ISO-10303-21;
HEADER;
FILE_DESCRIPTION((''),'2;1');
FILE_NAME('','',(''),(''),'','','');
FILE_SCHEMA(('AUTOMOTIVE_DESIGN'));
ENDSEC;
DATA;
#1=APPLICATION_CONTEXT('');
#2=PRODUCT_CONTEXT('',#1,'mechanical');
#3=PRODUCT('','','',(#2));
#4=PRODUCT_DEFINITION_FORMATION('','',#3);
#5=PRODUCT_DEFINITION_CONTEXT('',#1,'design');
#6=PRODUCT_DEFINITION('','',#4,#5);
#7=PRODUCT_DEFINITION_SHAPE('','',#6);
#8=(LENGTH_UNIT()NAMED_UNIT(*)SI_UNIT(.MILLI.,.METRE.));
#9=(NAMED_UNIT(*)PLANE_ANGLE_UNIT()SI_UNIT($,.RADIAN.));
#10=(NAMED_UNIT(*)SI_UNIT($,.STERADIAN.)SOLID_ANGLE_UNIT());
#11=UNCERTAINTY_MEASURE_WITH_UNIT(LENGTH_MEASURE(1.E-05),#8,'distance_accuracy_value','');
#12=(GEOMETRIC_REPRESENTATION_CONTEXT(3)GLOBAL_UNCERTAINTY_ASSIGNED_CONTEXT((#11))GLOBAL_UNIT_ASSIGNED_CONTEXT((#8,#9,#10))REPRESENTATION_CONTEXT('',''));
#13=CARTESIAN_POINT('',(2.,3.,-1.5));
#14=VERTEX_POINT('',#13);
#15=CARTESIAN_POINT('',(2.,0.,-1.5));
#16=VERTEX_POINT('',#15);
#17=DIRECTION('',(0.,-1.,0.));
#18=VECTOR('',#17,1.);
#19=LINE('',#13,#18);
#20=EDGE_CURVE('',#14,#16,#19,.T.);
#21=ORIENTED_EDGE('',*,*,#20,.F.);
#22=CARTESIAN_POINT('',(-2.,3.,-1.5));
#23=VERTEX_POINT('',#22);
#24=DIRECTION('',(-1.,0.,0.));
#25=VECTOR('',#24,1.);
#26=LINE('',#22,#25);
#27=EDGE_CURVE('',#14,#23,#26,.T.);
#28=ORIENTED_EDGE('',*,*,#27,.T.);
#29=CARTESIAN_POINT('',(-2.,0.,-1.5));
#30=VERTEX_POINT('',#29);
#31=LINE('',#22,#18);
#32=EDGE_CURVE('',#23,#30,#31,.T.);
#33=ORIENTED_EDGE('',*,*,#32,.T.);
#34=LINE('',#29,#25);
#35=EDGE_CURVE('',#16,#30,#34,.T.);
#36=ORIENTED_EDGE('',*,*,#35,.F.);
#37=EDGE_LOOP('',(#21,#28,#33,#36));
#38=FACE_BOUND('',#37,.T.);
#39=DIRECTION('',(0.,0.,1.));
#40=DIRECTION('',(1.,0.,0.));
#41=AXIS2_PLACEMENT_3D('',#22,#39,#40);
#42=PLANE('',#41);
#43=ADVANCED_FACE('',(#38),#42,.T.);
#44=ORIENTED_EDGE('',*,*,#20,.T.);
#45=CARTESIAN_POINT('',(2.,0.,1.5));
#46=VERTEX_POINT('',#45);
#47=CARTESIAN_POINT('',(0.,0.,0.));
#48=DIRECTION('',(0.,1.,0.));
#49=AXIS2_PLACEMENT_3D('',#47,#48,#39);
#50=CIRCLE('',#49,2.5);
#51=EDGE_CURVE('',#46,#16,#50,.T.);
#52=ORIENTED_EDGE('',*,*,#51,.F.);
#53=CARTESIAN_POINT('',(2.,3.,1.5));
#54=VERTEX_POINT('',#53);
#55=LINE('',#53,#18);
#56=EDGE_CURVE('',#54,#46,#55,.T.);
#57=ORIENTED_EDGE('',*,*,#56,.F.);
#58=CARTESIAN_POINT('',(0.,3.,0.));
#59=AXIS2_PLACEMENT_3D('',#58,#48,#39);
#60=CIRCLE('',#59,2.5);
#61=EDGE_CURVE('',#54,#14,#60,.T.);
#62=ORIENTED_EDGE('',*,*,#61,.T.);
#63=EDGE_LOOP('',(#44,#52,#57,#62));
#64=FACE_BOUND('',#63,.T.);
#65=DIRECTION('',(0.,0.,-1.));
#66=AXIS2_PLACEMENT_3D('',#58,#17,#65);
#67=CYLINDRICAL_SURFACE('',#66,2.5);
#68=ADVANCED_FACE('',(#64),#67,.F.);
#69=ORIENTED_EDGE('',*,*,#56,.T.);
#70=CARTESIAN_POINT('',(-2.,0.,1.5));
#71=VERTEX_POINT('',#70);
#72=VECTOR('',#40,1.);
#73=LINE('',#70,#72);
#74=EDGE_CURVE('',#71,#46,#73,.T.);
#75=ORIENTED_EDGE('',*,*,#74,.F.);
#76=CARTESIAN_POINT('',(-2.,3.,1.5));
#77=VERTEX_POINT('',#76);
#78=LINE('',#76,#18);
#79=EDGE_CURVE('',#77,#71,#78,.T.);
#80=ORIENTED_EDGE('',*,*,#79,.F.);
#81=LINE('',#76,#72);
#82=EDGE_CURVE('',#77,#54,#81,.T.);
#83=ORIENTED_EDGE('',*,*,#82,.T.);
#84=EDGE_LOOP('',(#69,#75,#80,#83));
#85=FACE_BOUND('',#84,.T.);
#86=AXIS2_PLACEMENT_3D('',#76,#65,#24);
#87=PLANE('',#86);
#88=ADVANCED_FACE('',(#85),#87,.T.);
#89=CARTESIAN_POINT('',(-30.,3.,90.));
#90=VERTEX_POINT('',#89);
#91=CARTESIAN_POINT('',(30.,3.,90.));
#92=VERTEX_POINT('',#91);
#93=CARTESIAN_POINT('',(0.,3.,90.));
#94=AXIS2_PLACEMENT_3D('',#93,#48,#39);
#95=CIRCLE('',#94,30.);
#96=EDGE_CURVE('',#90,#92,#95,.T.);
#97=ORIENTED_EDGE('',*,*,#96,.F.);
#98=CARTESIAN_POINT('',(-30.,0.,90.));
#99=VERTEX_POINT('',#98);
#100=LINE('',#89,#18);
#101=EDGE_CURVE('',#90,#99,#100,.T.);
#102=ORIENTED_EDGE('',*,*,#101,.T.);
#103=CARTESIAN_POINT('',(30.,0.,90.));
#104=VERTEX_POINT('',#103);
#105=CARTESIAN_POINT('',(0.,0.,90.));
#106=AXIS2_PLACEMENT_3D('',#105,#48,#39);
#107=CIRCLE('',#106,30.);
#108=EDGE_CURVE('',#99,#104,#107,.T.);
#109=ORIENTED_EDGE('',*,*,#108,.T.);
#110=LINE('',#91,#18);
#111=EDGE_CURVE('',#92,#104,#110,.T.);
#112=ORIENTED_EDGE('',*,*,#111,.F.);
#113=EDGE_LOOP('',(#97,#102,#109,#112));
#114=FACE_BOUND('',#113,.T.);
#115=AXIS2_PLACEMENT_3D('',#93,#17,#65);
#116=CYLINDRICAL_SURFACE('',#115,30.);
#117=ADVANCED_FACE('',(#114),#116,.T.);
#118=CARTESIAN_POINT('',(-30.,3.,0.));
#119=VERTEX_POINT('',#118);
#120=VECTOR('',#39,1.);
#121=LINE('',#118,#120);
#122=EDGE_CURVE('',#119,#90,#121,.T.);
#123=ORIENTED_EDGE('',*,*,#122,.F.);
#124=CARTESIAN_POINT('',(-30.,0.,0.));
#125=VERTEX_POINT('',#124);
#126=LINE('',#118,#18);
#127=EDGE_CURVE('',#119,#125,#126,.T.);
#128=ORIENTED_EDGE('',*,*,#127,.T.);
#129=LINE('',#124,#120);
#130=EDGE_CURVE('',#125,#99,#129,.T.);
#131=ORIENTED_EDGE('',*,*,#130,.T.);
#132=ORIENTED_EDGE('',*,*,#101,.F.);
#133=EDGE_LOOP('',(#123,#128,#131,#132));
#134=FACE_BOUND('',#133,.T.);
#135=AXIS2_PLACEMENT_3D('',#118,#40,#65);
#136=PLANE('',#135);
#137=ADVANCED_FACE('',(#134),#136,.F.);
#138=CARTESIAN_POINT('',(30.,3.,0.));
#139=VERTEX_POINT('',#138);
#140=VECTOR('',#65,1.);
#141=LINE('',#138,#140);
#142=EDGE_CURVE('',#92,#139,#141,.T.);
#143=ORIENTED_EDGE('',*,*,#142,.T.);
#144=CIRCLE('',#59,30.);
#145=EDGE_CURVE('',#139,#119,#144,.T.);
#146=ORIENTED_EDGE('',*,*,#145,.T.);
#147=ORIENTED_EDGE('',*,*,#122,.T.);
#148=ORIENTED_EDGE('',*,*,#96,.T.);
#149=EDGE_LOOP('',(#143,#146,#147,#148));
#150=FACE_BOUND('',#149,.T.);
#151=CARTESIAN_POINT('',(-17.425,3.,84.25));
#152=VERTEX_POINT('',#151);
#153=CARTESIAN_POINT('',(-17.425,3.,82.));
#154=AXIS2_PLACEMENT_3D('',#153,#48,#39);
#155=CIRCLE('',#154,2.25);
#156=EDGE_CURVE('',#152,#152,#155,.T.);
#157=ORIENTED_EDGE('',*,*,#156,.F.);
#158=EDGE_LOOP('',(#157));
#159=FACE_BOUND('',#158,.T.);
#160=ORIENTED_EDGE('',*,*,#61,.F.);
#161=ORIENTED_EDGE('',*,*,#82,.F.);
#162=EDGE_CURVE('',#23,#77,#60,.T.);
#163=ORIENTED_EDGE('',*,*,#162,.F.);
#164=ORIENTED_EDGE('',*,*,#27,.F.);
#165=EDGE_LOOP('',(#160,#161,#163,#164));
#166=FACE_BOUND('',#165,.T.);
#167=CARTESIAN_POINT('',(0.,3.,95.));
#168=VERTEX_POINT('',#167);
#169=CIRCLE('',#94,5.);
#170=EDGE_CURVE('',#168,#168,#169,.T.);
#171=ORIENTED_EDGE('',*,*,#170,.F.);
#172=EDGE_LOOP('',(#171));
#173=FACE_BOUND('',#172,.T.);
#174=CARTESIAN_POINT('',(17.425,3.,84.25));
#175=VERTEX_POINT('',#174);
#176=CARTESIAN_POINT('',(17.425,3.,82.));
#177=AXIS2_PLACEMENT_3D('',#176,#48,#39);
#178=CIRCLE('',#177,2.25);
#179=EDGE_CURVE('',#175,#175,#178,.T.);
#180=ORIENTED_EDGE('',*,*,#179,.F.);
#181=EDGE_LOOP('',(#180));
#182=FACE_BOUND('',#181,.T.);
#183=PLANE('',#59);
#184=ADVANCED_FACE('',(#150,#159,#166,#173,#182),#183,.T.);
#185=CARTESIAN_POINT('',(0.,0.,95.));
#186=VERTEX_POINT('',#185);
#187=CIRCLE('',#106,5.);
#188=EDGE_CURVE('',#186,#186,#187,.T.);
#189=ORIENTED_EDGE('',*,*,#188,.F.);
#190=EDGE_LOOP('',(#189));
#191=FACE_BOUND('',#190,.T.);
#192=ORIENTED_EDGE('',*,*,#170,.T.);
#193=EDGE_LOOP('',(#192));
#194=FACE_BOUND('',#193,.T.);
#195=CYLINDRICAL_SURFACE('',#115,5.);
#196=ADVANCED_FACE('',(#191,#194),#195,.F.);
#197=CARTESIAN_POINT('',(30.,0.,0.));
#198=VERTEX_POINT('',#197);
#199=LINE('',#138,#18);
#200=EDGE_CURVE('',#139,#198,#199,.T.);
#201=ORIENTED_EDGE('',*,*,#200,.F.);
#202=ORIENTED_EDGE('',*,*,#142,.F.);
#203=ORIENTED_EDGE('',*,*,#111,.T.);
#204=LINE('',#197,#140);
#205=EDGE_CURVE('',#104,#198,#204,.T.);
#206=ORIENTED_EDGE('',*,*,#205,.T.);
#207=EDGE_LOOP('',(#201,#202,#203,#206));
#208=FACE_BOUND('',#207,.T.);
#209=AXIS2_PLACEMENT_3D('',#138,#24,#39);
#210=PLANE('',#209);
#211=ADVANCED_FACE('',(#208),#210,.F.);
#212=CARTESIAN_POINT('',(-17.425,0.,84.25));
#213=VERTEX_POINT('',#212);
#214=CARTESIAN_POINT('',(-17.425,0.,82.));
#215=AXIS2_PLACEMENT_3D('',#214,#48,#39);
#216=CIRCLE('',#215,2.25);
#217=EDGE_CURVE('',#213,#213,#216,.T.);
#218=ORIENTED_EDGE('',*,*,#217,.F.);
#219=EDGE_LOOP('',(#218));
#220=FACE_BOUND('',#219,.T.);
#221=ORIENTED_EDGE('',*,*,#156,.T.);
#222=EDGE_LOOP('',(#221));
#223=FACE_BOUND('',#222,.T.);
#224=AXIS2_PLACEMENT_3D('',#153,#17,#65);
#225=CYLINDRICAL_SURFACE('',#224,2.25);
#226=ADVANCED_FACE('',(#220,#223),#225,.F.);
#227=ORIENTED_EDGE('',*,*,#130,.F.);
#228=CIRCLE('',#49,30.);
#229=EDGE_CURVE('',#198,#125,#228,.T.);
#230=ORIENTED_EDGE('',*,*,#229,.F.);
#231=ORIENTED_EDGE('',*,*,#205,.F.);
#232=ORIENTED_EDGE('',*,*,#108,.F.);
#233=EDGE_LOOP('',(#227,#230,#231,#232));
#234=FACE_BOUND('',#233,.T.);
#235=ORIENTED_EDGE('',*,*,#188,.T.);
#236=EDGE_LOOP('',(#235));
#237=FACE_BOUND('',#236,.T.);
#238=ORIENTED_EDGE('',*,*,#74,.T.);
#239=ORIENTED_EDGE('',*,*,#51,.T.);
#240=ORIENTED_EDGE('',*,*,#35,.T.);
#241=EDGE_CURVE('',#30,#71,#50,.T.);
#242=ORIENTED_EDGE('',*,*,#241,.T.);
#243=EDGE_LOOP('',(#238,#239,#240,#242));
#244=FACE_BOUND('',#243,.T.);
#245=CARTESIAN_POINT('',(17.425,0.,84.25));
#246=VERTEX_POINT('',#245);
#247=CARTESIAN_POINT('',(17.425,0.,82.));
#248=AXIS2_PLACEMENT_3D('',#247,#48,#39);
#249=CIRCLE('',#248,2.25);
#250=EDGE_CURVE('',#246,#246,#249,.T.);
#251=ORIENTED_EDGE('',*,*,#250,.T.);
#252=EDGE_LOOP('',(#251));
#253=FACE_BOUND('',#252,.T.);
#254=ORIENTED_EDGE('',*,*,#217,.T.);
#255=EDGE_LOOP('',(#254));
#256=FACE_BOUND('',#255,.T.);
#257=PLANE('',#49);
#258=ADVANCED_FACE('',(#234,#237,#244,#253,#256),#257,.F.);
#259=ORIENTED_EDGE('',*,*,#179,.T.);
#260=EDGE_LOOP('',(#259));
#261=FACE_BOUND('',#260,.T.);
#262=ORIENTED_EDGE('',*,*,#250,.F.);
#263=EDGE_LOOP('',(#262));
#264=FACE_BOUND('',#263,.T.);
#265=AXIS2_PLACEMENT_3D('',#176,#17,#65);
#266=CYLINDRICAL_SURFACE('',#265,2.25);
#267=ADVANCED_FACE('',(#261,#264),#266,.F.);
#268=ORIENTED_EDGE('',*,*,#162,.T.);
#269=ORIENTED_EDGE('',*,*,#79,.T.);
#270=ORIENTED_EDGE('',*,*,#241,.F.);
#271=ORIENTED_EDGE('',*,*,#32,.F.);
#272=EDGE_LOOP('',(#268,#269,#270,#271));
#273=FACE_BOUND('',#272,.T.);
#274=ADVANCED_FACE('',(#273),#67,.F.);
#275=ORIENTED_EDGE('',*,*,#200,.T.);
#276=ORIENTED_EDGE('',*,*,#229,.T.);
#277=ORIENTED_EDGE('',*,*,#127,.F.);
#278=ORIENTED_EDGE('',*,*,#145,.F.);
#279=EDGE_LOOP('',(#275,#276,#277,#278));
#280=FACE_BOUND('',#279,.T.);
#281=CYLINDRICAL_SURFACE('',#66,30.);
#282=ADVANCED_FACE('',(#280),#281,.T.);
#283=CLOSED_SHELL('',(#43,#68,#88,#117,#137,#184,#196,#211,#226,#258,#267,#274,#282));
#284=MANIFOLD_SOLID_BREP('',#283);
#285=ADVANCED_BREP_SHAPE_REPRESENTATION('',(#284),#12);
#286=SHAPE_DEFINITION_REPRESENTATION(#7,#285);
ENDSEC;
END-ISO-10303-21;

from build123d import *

# Parameters (mm, degrees)
SKETCH1_R           = 5
SKETCH1_R_2         = 2.25
BOSS_EXTRUDE1_DEPTH = 3


with BuildPart() as part:
    # Sketch1 → Boss-Extrude1 (new body)
    with BuildSketch(Plane(origin=(0, 0, 0), x_dir=(1, 0, 0), z_dir=(0, 1, 0))):
        with BuildLine():
            Line((-30, 0), (-30, -90))
            ThreePointArc((-30, -90), (0, -120), (30, -90))
            Line((30, -90), (30, 0))
            ThreePointArc((30, 0), (0, 30), (-30, 0))
        make_face()
        with Locations(Location((0, -90, 0), (0, 0, 270))):
            Circle(SKETCH1_R, mode=Mode.SUBTRACT)
        with Locations(Location((-17.425, -82, 0), (0, 0, 270))):
            Circle(SKETCH1_R_2, mode=Mode.SUBTRACT)
        with Locations(Location((17.425, -82, 0), (0, 0, 270))):
            Circle(SKETCH1_R_2, mode=Mode.SUBTRACT)
        with BuildLine():
            Line((-2, -1.5), (2, -1.5))
            ThreePointArc((2, -1.5), (2.5, 0), (2, 1.5))
            Line((2, 1.5), (-2, 1.5))
            ThreePointArc((-2, 1.5), (-2.5, 0), (-2, -1.5))
        make_face(mode=Mode.SUBTRACT)
    extrude(amount=BOSS_EXTRUDE1_DEPTH)


solid = part.part
